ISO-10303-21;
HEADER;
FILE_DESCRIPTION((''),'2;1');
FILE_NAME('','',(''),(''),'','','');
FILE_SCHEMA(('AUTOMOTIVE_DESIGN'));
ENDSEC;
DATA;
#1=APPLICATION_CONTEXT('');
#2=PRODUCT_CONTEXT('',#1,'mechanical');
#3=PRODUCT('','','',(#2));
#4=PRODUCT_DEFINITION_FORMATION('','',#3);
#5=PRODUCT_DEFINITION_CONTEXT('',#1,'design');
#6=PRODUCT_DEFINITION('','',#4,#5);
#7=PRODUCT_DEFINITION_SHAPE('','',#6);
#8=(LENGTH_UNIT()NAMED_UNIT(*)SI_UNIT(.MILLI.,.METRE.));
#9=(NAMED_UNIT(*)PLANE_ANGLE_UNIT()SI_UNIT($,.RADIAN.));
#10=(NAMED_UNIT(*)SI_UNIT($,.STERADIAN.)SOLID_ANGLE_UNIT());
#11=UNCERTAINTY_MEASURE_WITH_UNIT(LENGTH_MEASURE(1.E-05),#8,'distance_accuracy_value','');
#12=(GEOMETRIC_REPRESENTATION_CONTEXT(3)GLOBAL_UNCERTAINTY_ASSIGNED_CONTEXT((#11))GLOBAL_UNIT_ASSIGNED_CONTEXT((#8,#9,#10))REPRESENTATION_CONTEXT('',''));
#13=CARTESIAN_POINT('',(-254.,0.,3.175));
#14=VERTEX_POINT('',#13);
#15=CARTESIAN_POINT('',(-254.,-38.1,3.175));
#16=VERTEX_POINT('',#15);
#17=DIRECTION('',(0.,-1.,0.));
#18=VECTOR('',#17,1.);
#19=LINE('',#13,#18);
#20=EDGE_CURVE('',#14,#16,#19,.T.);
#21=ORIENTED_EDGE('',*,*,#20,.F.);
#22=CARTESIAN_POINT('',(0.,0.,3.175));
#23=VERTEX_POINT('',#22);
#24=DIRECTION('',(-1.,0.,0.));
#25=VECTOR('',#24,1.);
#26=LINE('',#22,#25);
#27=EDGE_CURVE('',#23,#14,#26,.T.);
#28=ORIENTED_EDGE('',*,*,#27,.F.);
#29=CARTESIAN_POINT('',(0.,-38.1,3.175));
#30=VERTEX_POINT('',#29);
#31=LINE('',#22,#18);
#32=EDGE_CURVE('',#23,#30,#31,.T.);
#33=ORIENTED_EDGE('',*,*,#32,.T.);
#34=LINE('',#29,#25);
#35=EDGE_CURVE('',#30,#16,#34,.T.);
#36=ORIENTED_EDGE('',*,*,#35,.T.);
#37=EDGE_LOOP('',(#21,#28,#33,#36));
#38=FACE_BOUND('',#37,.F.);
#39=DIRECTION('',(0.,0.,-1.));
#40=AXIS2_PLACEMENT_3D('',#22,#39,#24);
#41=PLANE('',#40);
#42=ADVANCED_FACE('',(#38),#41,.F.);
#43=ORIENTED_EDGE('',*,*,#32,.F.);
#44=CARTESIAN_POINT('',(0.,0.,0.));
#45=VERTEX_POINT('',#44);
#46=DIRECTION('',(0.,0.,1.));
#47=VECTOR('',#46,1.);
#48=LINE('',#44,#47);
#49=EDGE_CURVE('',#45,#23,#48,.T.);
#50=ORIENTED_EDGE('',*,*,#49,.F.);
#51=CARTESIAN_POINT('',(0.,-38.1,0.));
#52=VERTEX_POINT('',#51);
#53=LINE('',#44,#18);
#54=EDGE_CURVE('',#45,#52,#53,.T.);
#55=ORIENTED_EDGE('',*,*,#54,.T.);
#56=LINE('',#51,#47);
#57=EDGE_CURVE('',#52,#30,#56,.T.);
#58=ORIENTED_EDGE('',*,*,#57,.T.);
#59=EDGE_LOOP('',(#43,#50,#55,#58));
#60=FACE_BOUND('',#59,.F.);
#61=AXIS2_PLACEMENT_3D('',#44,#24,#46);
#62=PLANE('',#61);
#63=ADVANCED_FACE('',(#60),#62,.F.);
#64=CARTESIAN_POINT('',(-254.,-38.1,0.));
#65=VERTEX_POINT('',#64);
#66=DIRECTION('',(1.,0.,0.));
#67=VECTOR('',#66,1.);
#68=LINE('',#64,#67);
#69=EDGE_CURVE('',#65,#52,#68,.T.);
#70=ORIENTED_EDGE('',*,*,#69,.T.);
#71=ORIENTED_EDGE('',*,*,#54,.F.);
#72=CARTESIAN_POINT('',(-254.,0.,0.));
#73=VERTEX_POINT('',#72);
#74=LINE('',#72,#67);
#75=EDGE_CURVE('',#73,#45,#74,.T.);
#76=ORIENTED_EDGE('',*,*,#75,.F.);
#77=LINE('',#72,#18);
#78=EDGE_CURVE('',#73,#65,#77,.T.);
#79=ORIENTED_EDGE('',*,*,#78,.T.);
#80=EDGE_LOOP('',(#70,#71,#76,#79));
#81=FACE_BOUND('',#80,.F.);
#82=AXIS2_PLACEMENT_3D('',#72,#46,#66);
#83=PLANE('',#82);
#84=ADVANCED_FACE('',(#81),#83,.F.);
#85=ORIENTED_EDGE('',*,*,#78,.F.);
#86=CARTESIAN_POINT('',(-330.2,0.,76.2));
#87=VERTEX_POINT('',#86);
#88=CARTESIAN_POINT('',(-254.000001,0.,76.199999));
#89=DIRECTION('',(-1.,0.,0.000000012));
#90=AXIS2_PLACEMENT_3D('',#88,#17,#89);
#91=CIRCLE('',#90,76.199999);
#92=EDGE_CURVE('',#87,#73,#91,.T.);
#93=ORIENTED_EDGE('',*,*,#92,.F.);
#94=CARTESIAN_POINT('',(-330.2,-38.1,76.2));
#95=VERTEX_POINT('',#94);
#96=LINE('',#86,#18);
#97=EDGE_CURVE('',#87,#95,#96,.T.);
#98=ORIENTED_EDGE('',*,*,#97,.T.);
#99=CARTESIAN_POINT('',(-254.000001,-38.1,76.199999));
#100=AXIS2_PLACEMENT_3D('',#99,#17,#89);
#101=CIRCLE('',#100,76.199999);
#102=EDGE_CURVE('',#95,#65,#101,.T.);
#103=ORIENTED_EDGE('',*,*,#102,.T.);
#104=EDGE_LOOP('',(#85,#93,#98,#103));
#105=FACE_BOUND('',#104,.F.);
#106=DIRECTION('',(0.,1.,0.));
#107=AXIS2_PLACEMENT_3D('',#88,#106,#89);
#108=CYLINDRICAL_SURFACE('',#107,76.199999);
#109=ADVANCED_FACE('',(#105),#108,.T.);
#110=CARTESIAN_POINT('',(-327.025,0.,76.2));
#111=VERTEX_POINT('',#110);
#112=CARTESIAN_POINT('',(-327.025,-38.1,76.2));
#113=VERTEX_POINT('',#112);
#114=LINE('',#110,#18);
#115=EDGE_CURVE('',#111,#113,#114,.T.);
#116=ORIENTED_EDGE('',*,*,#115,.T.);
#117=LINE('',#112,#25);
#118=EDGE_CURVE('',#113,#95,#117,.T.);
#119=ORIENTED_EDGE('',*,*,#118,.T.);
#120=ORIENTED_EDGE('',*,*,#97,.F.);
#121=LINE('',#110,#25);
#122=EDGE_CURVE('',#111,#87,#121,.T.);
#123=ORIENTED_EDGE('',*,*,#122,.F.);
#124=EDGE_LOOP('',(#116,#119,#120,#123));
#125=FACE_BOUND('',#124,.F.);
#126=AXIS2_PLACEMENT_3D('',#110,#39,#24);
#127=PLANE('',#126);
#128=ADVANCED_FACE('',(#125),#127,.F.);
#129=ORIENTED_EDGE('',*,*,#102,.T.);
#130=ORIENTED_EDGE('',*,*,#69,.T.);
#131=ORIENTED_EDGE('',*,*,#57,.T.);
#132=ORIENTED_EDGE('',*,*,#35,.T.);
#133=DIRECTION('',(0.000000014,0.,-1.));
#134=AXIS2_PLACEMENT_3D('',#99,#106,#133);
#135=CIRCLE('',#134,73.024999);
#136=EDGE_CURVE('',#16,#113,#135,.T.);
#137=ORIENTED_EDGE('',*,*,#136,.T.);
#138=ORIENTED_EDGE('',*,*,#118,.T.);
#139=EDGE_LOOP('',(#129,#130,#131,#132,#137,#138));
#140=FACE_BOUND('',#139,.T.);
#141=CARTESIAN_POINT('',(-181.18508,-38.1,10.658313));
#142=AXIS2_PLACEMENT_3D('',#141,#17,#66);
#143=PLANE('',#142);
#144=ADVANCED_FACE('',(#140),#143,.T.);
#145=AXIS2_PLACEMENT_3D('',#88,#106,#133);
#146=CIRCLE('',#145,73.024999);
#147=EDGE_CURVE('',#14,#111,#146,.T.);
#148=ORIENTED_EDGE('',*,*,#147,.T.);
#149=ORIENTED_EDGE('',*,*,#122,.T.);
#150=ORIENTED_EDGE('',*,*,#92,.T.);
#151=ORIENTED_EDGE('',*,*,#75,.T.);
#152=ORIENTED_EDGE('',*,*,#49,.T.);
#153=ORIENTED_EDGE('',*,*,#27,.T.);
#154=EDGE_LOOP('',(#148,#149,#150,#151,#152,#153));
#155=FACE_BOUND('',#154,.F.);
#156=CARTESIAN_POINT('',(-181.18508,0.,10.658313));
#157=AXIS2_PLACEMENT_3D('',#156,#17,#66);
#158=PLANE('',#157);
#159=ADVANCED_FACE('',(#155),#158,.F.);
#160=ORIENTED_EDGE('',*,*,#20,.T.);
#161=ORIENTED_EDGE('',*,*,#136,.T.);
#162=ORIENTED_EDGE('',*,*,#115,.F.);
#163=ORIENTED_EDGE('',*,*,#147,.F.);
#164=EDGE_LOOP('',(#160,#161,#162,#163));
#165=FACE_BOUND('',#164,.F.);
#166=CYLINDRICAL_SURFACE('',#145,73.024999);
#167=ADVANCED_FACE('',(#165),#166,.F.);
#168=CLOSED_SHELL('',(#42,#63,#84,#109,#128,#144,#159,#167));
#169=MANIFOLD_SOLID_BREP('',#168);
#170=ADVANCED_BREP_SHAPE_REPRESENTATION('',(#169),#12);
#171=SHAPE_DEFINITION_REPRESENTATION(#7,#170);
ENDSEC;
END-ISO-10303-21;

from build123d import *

# Parameters (mm, degrees)
F1_DEPTH = 38.1


with BuildPart() as f1:
    # F0 (on Front) → F1 (new body)
    with BuildSketch(Plane.XZ):
        with BuildLine():
            Line((-254, 0), (0, 0))
            Line((0, 0), (0, 3.175))
            Line((0, 3.175), (-254, 3.175))
            ThreePointArc((-254, 3.175), (-305.636473, 24.563527), (-327.025, 76.2))
            Line((-327.025, 76.2), (-330.2, 76.2))
            ThreePointArc((-330.2, 76.2), (-307.881537, 22.318463), (-254, 0))
        make_face()
    extrude(amount=F1_DEPTH)


solid = f1.part
